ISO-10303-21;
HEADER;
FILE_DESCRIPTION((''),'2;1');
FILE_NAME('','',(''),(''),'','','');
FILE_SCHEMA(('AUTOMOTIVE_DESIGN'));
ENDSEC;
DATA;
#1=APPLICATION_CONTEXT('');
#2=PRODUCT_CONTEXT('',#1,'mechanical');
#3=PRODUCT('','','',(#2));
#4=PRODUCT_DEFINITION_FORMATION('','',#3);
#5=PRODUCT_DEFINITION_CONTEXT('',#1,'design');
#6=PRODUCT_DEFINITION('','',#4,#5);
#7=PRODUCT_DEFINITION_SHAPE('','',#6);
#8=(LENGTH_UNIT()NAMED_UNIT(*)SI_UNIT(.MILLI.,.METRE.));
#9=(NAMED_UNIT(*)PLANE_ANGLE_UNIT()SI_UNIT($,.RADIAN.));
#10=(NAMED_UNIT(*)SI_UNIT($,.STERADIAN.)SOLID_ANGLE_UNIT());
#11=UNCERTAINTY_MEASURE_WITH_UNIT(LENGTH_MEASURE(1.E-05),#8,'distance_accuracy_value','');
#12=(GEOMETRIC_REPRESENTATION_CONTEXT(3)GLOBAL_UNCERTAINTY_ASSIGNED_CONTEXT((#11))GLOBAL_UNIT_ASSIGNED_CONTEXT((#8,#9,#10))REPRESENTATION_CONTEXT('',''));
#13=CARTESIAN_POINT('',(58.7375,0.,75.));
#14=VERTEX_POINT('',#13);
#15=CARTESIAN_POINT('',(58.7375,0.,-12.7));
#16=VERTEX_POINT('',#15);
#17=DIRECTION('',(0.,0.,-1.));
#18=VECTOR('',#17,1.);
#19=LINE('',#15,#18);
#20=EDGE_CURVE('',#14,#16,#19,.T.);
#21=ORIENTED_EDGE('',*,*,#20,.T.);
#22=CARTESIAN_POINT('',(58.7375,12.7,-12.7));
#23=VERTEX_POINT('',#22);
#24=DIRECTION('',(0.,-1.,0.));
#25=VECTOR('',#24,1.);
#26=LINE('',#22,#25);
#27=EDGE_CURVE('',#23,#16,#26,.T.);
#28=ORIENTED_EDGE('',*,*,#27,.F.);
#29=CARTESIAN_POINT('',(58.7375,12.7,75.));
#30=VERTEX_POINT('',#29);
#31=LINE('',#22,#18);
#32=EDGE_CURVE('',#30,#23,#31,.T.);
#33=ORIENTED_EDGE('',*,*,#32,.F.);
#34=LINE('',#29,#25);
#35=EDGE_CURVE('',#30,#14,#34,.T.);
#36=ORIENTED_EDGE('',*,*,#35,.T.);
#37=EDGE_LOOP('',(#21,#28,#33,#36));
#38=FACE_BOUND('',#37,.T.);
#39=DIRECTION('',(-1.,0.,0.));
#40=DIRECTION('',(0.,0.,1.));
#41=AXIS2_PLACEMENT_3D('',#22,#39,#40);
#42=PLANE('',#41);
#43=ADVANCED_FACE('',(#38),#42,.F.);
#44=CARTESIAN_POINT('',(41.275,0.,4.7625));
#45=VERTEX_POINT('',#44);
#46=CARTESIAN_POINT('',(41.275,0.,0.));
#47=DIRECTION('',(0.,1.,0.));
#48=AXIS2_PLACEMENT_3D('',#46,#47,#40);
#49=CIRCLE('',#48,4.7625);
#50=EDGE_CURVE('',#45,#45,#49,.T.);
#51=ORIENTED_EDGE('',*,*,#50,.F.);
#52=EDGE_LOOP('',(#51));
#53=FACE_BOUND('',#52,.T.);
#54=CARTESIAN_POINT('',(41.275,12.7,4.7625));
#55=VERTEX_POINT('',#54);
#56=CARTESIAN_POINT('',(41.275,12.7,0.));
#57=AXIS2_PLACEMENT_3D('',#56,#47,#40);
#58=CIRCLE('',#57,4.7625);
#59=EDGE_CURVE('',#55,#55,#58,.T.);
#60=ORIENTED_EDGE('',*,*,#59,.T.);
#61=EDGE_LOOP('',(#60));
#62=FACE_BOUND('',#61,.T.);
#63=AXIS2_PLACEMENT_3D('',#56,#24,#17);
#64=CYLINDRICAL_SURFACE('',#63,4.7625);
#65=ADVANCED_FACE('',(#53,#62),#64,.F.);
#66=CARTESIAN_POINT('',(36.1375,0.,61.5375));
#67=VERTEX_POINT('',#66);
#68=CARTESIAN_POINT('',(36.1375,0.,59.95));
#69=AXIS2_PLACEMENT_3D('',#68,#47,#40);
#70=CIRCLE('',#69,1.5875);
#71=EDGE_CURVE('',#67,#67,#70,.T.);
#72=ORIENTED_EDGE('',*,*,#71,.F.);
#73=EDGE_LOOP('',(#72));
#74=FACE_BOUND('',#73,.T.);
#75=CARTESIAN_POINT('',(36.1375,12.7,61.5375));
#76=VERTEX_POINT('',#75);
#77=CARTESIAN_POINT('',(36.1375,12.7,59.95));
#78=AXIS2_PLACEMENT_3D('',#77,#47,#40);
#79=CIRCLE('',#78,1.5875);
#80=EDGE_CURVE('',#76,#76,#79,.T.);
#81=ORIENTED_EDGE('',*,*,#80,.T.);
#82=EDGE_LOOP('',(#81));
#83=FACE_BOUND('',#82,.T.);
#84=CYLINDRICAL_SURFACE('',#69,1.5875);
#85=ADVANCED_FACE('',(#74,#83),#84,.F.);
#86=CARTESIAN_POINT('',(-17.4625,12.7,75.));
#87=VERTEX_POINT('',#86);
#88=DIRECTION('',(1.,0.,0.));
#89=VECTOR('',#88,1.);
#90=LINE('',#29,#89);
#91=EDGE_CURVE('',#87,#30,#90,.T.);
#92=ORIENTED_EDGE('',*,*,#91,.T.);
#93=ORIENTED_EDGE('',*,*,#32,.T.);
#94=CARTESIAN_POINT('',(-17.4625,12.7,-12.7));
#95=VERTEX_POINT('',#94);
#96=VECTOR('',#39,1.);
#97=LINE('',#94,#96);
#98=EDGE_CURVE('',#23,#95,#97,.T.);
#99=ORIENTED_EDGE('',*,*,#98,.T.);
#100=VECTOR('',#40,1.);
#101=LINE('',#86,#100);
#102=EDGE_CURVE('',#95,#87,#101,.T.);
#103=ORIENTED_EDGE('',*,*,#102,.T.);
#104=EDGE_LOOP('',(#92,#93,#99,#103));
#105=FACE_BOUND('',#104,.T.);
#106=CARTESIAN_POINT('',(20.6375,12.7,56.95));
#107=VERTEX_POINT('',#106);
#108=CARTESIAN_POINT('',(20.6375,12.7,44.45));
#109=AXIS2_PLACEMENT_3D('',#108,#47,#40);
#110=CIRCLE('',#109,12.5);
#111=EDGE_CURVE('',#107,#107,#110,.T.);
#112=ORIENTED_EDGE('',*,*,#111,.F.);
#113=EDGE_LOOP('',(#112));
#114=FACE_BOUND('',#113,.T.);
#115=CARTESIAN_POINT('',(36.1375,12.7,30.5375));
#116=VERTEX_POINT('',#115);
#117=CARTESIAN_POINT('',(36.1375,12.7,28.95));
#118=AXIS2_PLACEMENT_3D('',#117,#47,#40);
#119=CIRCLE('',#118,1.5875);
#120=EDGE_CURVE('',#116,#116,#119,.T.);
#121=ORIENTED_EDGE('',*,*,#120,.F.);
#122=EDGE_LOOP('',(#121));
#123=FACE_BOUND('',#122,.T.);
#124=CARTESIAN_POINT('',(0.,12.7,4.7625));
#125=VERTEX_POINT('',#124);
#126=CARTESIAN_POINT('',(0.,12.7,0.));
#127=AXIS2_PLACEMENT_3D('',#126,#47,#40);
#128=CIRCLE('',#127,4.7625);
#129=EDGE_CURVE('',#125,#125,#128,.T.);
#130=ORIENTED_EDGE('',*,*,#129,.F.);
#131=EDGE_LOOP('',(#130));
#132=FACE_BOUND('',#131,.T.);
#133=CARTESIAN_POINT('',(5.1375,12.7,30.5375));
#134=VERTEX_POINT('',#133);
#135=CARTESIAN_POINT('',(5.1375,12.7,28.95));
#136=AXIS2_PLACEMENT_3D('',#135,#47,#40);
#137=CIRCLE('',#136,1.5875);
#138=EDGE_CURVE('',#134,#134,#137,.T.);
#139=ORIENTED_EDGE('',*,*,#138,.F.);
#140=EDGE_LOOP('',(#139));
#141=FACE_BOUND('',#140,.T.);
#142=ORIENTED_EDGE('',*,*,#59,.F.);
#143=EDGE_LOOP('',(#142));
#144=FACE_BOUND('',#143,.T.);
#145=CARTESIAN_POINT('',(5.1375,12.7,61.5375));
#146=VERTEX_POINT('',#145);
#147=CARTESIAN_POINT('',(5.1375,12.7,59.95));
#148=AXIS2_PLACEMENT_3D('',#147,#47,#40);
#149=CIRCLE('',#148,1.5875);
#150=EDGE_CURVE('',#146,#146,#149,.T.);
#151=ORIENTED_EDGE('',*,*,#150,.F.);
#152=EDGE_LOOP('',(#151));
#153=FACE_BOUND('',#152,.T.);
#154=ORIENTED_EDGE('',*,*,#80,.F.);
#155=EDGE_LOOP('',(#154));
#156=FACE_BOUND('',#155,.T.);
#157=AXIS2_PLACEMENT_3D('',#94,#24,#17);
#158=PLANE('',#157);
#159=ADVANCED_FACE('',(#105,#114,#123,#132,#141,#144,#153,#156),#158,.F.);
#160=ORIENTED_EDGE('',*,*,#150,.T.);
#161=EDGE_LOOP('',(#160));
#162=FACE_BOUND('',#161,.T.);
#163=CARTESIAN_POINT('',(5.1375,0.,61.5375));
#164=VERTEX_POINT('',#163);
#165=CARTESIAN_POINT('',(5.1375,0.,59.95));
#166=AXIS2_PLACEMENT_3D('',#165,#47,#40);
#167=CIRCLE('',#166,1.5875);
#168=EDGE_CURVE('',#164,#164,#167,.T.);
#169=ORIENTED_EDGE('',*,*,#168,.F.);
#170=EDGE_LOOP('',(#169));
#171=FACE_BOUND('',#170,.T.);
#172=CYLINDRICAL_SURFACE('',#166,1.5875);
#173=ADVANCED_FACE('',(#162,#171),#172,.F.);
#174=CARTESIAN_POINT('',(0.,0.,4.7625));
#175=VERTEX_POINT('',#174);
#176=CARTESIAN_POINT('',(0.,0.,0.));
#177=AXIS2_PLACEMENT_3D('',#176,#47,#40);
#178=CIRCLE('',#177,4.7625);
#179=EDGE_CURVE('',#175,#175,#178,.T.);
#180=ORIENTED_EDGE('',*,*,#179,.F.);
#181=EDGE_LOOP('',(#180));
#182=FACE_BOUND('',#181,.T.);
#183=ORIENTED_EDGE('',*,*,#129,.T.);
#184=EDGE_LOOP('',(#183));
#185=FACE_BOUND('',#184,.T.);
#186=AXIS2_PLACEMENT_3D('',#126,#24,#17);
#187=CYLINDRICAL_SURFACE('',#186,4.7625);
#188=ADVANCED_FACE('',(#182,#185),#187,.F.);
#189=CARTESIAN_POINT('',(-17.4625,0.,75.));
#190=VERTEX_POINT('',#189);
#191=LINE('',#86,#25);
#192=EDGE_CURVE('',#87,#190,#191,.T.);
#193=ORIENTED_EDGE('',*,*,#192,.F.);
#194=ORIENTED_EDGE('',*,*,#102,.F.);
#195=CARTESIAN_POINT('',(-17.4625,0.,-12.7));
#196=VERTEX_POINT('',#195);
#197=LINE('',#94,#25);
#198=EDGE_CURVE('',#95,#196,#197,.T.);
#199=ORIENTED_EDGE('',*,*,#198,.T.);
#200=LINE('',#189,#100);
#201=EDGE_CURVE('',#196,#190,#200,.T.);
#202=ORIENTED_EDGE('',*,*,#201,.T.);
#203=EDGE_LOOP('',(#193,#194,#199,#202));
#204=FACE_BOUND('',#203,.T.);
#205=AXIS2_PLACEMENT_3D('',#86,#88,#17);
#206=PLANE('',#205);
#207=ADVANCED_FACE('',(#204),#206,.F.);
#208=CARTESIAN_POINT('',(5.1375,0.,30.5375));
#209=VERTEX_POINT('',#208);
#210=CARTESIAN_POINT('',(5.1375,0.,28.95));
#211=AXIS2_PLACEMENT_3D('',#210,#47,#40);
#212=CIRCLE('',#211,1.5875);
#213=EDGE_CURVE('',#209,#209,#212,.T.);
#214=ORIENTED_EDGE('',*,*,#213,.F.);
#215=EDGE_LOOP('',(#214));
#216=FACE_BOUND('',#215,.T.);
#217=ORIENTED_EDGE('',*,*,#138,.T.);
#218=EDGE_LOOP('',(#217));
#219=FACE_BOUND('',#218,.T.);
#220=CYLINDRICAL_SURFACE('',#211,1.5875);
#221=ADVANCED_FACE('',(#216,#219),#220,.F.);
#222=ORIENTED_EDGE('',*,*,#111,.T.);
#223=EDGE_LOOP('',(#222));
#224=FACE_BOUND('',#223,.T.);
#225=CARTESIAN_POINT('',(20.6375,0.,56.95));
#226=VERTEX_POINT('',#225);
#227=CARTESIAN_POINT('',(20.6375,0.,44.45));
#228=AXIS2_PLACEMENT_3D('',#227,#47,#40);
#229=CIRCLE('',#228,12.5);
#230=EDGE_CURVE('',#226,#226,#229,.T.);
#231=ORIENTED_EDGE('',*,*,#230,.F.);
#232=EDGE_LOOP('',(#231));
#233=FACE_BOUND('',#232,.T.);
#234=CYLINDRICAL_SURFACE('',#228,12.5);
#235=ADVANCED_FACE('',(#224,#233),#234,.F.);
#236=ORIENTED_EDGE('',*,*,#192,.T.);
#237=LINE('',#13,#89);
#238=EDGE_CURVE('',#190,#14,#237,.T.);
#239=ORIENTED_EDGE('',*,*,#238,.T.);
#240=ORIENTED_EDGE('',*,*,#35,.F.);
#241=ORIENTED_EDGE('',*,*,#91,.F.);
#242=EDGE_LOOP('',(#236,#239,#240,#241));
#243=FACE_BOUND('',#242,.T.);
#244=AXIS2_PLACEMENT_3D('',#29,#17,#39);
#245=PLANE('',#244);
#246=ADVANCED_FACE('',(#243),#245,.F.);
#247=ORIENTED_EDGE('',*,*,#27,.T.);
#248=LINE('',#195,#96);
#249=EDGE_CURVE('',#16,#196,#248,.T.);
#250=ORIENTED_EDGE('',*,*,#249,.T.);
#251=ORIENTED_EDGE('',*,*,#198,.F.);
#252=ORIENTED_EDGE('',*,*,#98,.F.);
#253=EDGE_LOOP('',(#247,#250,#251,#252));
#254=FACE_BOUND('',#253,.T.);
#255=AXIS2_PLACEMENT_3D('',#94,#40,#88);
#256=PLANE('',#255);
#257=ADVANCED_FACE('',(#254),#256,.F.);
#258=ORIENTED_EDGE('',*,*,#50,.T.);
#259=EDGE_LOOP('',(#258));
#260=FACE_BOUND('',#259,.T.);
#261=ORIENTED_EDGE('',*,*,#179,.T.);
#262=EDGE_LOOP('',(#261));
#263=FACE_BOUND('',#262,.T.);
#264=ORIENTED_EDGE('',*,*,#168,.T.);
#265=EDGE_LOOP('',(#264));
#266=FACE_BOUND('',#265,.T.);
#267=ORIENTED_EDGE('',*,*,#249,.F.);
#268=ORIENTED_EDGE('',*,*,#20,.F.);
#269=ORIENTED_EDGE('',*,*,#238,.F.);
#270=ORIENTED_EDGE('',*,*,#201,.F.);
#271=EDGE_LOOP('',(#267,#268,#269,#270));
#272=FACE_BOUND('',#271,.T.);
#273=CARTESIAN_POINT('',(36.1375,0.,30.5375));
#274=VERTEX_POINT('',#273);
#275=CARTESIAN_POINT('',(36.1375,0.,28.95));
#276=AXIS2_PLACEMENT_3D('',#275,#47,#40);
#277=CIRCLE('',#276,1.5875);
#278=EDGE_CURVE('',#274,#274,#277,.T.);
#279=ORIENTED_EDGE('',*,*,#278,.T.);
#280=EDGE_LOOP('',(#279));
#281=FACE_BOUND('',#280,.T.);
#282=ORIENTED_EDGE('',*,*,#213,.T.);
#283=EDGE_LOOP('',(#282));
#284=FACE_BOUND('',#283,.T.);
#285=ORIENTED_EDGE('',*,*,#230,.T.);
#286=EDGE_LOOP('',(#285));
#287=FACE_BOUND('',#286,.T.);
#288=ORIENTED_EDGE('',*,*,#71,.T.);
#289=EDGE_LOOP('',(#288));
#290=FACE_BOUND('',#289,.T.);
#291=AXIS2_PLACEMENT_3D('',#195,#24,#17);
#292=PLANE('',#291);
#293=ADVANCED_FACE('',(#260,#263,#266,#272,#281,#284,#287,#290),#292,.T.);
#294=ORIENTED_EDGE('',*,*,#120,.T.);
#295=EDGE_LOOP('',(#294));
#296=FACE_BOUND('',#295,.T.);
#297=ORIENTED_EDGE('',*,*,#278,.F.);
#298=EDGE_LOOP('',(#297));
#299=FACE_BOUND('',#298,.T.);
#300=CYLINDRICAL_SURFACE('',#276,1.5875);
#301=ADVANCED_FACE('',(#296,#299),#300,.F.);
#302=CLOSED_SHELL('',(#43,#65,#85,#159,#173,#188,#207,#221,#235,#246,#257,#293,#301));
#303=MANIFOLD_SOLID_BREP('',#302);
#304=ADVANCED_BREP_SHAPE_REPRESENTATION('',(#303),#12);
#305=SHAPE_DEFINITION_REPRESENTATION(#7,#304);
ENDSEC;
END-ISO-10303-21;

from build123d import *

# Parameters (mm, degrees)
SKETCH1_W           = 76.2
SKETCH1_H           = 87.7
SKETCH1_R           = 4.7625
BOSS_EXTRUDE1_DEPTH = 12.7
SKETCH2_R           = 12.5
SKETCH2_R_2         = 1.5875
CUT_EXTRUDE1_DEPTH  = 12.7


with BuildPart() as part:
    # Sketch1 → Boss-Extrude1 (new body)
    with BuildSketch(Plane(origin=(0, 0, 0), x_dir=(1, 0, 0), z_dir=(0, 1, 0))):
        with Locations((20.6375, -31.15)):
            Rectangle(SKETCH1_W, SKETCH1_H)
        Circle(SKETCH1_R, mode=Mode.SUBTRACT)
        with Locations((41.275, 0)):
            Circle(SKETCH1_R, mode=Mode.SUBTRACT)
    extrude(amount=BOSS_EXTRUDE1_DEPTH)

    # Sketch2 → Cut-Extrude1 (cut)
    with BuildSketch(Plane(origin=(0, 12.7, 0), x_dir=(1, 0, 0), z_dir=(0, 1, 0))):
        with Locations((20.6375, -44.45)):
            Circle(SKETCH2_R)
        with Locations((36.1375, -28.95)):
            Circle(SKETCH2_R_2)
        with Locations((5.1375, -28.95)):
            Circle(SKETCH2_R_2)
        with Locations((36.1375, -59.95)):
            Circle(SKETCH2_R_2)
        with Locations((5.1375, -59.95)):
            Circle(SKETCH2_R_2)
    extrude(amount=-CUT_EXTRUDE1_DEPTH, mode=Mode.SUBTRACT)


solid = part.part
